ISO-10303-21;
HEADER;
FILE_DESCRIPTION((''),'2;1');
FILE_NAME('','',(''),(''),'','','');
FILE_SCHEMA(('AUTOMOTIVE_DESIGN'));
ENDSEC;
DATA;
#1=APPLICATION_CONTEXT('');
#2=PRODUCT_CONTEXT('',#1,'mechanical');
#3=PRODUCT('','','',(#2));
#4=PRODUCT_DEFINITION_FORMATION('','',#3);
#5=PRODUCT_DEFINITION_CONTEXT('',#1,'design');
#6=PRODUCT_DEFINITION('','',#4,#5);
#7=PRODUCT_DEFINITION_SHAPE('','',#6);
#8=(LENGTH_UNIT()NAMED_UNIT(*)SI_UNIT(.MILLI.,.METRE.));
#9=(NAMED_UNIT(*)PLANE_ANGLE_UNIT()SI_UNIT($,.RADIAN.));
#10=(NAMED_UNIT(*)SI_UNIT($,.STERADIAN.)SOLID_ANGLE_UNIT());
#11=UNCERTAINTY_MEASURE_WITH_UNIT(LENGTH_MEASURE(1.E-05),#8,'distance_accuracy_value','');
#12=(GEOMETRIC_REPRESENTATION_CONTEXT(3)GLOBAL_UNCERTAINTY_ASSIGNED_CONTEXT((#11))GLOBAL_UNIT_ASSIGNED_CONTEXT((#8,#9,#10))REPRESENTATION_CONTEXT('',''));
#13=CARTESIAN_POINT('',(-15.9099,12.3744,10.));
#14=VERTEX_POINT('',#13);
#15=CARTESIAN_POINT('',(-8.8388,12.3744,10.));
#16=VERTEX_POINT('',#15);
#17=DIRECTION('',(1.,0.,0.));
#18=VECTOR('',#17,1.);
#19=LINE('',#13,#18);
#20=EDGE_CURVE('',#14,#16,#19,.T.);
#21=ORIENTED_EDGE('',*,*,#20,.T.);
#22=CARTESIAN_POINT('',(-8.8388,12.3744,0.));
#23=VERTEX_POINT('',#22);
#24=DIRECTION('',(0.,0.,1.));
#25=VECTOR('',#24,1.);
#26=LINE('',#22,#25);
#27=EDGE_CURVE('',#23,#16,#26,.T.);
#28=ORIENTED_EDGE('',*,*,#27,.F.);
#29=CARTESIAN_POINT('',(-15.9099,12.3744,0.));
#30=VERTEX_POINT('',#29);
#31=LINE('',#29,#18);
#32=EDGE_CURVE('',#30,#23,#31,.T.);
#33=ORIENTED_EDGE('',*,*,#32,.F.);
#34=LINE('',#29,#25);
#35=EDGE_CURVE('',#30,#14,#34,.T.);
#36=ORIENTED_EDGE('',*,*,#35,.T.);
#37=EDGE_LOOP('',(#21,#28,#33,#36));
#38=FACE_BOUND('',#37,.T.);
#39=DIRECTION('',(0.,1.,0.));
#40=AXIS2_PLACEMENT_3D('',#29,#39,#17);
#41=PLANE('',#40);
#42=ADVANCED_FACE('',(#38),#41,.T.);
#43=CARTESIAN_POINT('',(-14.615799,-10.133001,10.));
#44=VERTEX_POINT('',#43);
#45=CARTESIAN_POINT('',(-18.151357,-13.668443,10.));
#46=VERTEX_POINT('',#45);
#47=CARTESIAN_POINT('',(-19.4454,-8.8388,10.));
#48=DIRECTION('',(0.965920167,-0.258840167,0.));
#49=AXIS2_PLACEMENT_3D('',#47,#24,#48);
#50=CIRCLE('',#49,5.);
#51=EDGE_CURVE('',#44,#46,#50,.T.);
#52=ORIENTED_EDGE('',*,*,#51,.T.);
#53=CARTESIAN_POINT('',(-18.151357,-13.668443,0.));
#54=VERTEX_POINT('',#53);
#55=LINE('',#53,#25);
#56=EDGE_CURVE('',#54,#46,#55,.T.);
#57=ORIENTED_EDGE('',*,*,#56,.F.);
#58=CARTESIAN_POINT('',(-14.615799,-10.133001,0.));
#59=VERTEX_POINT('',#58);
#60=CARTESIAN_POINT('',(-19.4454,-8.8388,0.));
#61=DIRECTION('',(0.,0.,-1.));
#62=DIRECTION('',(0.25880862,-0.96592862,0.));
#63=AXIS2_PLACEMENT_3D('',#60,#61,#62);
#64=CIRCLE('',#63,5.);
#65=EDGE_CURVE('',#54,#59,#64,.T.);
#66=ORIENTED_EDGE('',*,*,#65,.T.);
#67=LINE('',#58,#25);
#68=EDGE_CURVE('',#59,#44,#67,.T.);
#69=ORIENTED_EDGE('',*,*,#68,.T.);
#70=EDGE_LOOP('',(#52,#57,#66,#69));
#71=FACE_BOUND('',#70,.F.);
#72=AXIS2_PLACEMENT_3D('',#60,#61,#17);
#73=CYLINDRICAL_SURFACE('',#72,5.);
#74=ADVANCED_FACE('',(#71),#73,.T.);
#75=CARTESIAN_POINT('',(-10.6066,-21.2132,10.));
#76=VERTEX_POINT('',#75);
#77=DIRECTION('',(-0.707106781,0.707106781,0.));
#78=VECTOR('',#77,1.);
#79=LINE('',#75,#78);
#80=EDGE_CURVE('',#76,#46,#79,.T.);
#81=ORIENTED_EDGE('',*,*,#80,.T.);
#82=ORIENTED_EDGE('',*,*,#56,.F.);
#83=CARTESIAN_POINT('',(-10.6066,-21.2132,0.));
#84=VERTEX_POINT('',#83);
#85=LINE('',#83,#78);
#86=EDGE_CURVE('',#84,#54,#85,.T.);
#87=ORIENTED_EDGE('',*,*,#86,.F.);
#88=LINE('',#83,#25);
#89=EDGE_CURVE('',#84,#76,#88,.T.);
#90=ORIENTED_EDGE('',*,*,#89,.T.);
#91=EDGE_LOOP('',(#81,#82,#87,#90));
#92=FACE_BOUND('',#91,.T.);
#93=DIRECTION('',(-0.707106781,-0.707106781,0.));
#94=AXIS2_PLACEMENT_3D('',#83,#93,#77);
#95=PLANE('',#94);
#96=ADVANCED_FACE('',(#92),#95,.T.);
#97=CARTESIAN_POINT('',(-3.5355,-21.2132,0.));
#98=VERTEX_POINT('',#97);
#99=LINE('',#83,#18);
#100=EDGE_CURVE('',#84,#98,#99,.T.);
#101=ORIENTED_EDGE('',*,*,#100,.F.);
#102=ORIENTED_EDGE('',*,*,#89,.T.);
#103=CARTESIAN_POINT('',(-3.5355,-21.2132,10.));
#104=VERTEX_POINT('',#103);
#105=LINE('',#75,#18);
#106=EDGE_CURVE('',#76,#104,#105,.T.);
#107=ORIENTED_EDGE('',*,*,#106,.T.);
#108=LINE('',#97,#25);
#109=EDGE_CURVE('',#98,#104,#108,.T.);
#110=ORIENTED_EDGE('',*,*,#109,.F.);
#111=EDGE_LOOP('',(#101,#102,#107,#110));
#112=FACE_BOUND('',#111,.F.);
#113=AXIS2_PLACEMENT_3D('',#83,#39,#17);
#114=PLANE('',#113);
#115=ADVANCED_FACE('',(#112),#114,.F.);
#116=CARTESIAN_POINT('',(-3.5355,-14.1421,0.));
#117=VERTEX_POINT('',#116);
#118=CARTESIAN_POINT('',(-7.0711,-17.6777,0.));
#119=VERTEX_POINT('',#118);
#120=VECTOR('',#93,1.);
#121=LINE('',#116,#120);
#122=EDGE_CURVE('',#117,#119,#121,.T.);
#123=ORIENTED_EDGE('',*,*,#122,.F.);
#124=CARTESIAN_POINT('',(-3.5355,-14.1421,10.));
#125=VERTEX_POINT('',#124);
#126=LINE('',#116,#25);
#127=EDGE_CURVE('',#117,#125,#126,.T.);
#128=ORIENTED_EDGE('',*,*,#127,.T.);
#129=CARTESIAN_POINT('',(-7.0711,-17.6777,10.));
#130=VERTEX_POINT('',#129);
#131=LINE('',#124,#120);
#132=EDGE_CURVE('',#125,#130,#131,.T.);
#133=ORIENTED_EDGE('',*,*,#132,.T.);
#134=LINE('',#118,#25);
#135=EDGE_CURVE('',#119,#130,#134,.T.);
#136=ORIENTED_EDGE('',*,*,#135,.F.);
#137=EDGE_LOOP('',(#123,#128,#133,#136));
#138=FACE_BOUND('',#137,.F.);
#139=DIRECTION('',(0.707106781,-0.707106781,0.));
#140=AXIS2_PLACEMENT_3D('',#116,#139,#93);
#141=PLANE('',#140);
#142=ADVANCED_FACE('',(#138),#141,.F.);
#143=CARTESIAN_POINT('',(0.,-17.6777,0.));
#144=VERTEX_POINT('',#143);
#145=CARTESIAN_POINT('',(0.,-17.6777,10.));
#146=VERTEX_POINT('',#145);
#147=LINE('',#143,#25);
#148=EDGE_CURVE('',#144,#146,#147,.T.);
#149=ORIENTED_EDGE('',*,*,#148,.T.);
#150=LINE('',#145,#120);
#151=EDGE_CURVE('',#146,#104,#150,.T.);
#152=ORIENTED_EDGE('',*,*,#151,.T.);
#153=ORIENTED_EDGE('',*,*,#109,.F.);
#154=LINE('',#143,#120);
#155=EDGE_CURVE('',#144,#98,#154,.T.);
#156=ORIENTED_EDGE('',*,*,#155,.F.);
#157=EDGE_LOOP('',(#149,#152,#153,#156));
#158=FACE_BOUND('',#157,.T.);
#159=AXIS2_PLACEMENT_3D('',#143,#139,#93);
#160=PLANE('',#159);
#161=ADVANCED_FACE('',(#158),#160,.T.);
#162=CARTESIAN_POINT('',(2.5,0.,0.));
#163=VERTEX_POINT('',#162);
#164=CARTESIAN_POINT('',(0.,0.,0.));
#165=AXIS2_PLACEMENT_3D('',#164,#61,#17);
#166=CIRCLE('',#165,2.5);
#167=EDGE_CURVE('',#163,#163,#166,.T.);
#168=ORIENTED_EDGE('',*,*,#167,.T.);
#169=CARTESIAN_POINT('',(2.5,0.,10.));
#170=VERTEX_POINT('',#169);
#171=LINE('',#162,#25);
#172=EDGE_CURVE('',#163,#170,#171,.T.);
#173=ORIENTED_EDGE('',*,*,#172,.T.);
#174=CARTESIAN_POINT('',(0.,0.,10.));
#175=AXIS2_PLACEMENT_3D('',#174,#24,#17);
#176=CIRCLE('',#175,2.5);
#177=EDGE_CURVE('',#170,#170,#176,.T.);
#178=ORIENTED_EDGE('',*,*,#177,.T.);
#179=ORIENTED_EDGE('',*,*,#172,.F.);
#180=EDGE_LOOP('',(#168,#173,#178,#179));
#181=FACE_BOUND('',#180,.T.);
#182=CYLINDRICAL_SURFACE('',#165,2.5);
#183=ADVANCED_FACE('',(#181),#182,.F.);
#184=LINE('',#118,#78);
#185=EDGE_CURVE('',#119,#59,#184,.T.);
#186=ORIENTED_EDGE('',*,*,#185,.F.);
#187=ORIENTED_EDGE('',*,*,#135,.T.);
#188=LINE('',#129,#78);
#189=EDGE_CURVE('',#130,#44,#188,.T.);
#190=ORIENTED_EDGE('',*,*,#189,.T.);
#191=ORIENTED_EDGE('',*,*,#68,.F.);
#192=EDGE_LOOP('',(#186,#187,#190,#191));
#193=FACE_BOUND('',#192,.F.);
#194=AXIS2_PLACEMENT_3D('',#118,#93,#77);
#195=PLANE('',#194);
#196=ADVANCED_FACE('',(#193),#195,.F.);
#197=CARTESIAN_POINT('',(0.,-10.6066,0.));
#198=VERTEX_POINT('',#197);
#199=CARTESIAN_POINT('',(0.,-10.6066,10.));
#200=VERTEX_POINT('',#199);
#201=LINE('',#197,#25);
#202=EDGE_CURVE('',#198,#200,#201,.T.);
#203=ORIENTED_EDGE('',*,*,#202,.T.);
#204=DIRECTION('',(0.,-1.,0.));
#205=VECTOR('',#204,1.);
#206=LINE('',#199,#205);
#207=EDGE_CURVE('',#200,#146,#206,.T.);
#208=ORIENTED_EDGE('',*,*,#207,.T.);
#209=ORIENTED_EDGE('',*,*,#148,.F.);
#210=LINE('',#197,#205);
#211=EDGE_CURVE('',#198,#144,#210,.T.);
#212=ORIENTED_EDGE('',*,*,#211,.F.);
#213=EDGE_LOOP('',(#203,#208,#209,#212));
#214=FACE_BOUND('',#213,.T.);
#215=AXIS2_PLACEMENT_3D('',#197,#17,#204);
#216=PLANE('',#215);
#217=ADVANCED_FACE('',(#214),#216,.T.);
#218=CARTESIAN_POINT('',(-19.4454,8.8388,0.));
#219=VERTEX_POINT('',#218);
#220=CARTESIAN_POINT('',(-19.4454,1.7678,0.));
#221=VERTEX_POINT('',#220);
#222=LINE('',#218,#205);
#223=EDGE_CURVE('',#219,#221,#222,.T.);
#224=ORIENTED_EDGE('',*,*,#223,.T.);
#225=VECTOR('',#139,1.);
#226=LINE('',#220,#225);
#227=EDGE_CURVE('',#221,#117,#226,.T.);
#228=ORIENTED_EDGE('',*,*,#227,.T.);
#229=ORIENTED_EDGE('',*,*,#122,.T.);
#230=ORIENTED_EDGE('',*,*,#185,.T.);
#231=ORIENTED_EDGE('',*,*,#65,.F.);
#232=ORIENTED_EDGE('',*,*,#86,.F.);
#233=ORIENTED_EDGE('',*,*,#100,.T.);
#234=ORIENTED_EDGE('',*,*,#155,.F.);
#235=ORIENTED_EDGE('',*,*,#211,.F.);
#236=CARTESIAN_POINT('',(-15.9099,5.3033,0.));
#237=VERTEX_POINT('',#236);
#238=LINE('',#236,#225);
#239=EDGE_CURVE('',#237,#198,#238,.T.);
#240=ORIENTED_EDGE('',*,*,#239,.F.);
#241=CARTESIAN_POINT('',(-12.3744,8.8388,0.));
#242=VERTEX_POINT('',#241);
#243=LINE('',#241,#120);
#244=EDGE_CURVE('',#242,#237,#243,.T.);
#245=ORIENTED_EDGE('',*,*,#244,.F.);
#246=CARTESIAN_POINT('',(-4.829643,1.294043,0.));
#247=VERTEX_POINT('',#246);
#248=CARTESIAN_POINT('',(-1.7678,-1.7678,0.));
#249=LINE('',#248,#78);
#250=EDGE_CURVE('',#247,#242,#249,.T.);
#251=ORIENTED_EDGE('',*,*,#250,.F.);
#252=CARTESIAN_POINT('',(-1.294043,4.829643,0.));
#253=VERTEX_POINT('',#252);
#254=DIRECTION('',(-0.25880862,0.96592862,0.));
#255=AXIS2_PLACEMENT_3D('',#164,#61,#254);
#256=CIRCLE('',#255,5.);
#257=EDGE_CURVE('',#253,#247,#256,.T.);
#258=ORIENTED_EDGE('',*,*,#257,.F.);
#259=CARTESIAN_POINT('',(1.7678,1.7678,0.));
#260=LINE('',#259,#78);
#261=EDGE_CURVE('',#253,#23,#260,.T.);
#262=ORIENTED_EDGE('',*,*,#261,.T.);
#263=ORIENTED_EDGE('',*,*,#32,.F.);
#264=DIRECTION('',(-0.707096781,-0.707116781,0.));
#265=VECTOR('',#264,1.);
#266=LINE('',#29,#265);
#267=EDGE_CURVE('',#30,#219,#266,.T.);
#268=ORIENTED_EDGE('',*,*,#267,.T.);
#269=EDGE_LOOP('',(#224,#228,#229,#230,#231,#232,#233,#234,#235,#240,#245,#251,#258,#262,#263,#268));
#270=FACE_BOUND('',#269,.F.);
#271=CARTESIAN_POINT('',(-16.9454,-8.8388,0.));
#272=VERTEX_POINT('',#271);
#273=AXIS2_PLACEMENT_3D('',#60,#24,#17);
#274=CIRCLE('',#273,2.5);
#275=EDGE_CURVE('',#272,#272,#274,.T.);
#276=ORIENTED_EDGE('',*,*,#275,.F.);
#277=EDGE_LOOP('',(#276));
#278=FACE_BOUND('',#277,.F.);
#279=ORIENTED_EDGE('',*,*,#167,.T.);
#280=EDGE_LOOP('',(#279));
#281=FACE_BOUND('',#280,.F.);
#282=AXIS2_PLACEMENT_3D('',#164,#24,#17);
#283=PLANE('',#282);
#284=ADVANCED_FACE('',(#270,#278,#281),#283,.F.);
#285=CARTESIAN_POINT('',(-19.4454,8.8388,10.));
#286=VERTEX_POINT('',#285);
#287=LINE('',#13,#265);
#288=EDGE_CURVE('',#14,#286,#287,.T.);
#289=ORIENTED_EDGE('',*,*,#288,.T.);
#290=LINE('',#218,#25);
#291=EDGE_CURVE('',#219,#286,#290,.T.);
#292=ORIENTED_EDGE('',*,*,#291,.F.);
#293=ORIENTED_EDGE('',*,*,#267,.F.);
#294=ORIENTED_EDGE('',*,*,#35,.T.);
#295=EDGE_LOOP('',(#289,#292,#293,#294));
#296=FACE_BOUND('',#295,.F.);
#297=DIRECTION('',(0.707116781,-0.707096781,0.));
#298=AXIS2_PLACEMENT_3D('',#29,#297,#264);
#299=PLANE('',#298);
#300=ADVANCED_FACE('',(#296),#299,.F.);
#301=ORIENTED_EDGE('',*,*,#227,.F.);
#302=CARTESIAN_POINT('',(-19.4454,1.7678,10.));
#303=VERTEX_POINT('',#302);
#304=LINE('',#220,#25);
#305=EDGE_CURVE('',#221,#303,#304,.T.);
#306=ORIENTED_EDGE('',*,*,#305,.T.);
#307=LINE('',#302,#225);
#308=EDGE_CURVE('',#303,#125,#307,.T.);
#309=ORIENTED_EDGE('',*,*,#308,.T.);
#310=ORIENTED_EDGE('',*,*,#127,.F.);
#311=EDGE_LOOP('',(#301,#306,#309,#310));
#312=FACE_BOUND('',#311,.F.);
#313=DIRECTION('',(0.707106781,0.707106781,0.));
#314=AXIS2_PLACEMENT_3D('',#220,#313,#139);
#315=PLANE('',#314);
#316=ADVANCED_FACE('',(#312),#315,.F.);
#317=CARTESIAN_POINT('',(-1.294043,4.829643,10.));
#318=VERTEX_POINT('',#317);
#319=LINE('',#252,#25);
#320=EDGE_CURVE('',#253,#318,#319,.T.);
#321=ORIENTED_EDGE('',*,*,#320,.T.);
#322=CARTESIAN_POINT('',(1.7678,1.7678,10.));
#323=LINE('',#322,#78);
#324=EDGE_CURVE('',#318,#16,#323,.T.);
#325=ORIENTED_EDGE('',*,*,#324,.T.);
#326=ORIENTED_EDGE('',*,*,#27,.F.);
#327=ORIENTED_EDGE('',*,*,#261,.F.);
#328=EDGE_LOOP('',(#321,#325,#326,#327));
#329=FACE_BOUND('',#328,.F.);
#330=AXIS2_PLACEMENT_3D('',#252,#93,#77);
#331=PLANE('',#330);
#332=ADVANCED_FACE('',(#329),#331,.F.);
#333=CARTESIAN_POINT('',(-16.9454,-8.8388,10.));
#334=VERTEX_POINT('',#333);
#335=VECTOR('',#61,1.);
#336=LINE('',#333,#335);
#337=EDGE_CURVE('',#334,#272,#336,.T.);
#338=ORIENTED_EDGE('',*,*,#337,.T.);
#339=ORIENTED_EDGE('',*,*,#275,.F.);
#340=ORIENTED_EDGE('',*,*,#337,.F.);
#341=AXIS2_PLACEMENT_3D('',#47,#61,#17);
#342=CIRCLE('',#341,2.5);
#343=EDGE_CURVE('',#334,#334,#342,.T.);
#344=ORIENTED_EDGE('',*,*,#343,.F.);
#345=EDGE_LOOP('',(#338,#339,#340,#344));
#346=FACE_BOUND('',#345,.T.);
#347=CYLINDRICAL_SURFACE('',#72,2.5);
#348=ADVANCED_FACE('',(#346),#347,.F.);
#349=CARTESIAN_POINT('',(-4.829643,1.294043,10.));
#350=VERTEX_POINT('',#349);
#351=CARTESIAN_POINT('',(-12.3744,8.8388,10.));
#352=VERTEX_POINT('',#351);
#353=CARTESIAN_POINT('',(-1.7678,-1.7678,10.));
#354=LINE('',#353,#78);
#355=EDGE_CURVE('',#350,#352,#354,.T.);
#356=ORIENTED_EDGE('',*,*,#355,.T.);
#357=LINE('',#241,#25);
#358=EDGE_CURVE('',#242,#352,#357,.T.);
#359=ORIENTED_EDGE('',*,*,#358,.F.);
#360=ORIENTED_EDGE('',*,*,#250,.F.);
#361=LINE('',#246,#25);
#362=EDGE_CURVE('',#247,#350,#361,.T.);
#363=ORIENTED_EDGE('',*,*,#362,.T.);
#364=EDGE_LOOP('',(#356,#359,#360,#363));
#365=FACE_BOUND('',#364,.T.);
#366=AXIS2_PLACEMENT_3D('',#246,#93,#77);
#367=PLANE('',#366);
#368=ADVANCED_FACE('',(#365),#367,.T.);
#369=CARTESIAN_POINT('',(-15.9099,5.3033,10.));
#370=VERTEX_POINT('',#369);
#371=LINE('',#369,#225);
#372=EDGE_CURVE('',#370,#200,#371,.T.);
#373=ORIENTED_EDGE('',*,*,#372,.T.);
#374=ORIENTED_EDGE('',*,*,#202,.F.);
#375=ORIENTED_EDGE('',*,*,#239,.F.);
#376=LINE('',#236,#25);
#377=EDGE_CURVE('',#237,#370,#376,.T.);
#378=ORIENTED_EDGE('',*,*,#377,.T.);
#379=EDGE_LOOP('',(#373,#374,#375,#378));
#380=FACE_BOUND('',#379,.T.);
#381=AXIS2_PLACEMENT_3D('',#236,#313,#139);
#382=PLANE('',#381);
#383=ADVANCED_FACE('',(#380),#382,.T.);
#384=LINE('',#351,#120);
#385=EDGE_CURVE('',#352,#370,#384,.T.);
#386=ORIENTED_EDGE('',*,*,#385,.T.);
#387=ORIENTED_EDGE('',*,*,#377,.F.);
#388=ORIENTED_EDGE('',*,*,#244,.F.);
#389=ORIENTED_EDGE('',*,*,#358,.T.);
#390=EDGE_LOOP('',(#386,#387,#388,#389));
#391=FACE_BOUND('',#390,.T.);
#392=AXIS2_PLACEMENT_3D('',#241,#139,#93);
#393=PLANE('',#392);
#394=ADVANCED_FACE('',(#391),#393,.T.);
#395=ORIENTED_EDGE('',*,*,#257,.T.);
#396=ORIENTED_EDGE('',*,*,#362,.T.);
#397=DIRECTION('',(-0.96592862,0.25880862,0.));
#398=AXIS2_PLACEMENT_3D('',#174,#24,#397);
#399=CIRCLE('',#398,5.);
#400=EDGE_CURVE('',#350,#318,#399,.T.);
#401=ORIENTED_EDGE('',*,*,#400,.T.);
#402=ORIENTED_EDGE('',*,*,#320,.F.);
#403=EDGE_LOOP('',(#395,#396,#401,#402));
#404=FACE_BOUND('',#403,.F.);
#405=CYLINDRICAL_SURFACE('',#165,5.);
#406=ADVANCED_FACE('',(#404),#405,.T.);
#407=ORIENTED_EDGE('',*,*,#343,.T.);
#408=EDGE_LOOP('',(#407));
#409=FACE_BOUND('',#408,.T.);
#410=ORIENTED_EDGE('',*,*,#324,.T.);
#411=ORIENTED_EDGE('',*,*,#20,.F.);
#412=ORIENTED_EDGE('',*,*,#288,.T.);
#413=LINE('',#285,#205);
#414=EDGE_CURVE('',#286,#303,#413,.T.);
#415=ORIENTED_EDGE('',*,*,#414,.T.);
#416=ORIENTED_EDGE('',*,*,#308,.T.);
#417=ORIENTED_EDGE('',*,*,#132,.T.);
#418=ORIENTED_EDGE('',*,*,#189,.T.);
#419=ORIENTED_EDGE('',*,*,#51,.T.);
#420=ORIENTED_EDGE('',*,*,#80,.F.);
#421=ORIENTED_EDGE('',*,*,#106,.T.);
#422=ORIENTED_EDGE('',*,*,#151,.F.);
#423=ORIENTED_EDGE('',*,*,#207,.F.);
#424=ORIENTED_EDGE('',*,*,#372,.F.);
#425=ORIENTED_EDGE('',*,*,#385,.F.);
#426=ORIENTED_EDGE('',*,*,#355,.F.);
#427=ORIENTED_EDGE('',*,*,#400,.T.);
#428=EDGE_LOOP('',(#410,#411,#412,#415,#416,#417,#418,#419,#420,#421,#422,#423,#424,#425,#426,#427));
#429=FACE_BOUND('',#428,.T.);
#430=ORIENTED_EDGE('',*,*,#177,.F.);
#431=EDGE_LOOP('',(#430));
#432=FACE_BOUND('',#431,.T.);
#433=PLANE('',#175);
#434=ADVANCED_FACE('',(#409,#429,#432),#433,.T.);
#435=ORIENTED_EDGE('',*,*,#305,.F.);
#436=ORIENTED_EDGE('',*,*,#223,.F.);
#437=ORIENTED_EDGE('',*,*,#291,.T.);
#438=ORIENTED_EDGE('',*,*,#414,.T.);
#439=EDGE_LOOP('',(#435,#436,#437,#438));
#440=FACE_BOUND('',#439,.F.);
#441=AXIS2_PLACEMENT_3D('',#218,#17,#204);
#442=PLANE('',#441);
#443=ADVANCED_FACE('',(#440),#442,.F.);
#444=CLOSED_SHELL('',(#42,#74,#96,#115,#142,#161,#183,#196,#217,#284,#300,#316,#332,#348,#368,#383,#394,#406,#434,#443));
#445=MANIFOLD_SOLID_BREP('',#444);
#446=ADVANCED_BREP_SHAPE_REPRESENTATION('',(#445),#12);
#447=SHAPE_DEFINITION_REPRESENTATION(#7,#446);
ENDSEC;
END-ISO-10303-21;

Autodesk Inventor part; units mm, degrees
ref_plane "YZ Plane" through (0, 0, 0) normal (1, 0, 0) x (0, 1, 0)
ref_plane "XZ Plane" through (0, 0, 0) normal (0, 1, 0) x (-1, 0, 0)
ref_plane "XY Plane" through (0, 0, 0) normal (0, 0, 1) x (1, 0, 0)
sketch "Sketch1" plane through (0, 0, 0) normal (0, 0, 1) x (1, 0, 0)
  circle A0 centre (0, 0) radius 2.5
  circle A1 centre (0, 0) radius 5
  line L0 (-1.7678, -1.7678) -> (-12.3744, 8.8388)
  line L1 (-12.3744, 8.8388) -> (-15.9099, 5.3033)
  line L2 (-15.9099, 5.3033) -> (0, -10.6066)
  line L3 (0, -10.6066) -> (0, -17.6777)
  line L4 (0, -17.6777) -> (-3.5355, -21.2132)
  line L5 (-10.6066, -21.2132) -> (-21.2132, -10.6066)
  line L6 (1.7678, 1.7678) -> (-8.8388, 12.3744)
  line L7 (-15.9099, 12.3744) -> (-19.4454, 8.8388)
  line L8 (-19.4454, 8.8388) -> (-19.4454, 1.7678)
  line L9 (-19.4454, 1.7678) -> (-3.5355, -14.1421)
  line L10 (-3.5355, -14.1421) -> (-7.0711, -17.6777)
  line L11 (-7.0711, -17.6777) -> (-17.6777, -7.0711)
  line L12 (-17.6777, -7.0711) -> (-21.2132, -10.6066)
  line L13 (-1.7678, -1.7678) -> (1.7678, 1.7678)
  circle A2 centre (-19.4454, -8.8388) radius 2.5
  circle A3 centre (-19.4454, -8.8388) radius 5
  line L14 (-15.9099, 12.3744) -> (-8.8388, 12.3744)
  line L15 (-10.6066, -21.2132) -> (-3.5355, -21.2132)
  dimension "d0" = 5
  dimension "d1" = 10
  dimension "d3" = 90
  dimension "d6" = 135
  dimension "d7" = 135
  dimension "d8" = 90
  dimension "d9" = 5
  dimension "d12" = 10
  dimension "d13" = 15
  dimension "d14" = 15
  dimension "d31" = 7.0711
  dimension "d32" = 15
  dimension "d33" = 7.0711
  dimension "d34" = 15
  dimension "d35" = 7.0711
  dimension "d36" = 7.0711
  dimension "d37" = 5
  dimension "d38" = 90
  dimension "d39" = 135
  dimension "d40" = 5
  dimension "d41" = 5
extrude "Extrusion8" add sketch "Sketch1" along normal blind 10 contours A0 L6 A1 L0 | A0 L0 A1 L6 | A1 L0 L1 L2 L3 L4 L15 L5 A3 L11 L10 L9 L8 L7 L14 L6 | A3 L5 A2 L11 | L11 A2 L5 A3 | A2 L12 picked at (-19.5108, -9.6696)
sketch "Sketch5" plane through (0, 0, 10) normal (0, 0, 1) x (1, 0, 0)
  line L0 (-1.2941, 4.8296) -> (-8.8388, 12.3744) projected
  line L1 (-8.8388, 12.3744) -> (-15.9099, 12.3744) projected
  line L2 (-15.9099, 12.3744) -> (-19.4454, 8.8388) projected
  line L3 (-19.4454, 8.8388) -> (-19.4454, 1.7678) projected
  line L4 (-19.4454, 1.7678) -> (-3.5355, -14.1421) projected
  line L5 (-3.5355, -14.1421) -> (-7.0711, -17.6777) projected
  line L6 (-7.0711, -17.6777) -> (-14.6158, -10.1329) projected
  arc A0 (-14.6158, -10.1329) -> (-18.1513, -13.6685) centre (-19.4454, -8.8388) ccw projected
  line L7 (-18.1513, -13.6685) -> (-10.6066, -21.2132) projected
  line L8 (-10.6066, -21.2132) -> (-3.5355, -21.2132) projected
  line L9 (-3.5355, -21.2132) -> (0, -17.6777) projected
  line L10 (0, -17.6777) -> (0, -10.6066) projected
  line L11 (0, -10.6066) -> (-15.9099, 5.3033) projected
  line L12 (-15.9099, 5.3033) -> (-12.3744, 8.8388) projected
  line L13 (-12.3744, 8.8388) -> (-4.8296, 1.2941) projected
  arc A1 (-4.8296, 1.2941) -> (-1.2941, 4.8296) centre (0, 0) ccw projected
  line L14 (-21.2132, -10.6066) -> (-17.6777, -7.0711) projected
  arc A2 (-17.6777, -7.0711) -> (-21.2132, -10.6066) centre (-19.4454, -8.8388) ccw projected
  circle A3 centre (0, 0) radius 2.5 projected
  circle A4 centre (-19.4454, -8.8388) radius 2.5
extrude "Extrusion9" cut sketch "Sketch5" against normal blind 10 contours L14 A4
equation "\"d1\" = 2 * d0"
equation "\"d9\" = d0"
equation "\"d12\" = d1"
equation "\"d13\" = 3 * d0"
equation "\"d14\" = d13"
properties part number "Sawaiz Logo Ribbon 3"
